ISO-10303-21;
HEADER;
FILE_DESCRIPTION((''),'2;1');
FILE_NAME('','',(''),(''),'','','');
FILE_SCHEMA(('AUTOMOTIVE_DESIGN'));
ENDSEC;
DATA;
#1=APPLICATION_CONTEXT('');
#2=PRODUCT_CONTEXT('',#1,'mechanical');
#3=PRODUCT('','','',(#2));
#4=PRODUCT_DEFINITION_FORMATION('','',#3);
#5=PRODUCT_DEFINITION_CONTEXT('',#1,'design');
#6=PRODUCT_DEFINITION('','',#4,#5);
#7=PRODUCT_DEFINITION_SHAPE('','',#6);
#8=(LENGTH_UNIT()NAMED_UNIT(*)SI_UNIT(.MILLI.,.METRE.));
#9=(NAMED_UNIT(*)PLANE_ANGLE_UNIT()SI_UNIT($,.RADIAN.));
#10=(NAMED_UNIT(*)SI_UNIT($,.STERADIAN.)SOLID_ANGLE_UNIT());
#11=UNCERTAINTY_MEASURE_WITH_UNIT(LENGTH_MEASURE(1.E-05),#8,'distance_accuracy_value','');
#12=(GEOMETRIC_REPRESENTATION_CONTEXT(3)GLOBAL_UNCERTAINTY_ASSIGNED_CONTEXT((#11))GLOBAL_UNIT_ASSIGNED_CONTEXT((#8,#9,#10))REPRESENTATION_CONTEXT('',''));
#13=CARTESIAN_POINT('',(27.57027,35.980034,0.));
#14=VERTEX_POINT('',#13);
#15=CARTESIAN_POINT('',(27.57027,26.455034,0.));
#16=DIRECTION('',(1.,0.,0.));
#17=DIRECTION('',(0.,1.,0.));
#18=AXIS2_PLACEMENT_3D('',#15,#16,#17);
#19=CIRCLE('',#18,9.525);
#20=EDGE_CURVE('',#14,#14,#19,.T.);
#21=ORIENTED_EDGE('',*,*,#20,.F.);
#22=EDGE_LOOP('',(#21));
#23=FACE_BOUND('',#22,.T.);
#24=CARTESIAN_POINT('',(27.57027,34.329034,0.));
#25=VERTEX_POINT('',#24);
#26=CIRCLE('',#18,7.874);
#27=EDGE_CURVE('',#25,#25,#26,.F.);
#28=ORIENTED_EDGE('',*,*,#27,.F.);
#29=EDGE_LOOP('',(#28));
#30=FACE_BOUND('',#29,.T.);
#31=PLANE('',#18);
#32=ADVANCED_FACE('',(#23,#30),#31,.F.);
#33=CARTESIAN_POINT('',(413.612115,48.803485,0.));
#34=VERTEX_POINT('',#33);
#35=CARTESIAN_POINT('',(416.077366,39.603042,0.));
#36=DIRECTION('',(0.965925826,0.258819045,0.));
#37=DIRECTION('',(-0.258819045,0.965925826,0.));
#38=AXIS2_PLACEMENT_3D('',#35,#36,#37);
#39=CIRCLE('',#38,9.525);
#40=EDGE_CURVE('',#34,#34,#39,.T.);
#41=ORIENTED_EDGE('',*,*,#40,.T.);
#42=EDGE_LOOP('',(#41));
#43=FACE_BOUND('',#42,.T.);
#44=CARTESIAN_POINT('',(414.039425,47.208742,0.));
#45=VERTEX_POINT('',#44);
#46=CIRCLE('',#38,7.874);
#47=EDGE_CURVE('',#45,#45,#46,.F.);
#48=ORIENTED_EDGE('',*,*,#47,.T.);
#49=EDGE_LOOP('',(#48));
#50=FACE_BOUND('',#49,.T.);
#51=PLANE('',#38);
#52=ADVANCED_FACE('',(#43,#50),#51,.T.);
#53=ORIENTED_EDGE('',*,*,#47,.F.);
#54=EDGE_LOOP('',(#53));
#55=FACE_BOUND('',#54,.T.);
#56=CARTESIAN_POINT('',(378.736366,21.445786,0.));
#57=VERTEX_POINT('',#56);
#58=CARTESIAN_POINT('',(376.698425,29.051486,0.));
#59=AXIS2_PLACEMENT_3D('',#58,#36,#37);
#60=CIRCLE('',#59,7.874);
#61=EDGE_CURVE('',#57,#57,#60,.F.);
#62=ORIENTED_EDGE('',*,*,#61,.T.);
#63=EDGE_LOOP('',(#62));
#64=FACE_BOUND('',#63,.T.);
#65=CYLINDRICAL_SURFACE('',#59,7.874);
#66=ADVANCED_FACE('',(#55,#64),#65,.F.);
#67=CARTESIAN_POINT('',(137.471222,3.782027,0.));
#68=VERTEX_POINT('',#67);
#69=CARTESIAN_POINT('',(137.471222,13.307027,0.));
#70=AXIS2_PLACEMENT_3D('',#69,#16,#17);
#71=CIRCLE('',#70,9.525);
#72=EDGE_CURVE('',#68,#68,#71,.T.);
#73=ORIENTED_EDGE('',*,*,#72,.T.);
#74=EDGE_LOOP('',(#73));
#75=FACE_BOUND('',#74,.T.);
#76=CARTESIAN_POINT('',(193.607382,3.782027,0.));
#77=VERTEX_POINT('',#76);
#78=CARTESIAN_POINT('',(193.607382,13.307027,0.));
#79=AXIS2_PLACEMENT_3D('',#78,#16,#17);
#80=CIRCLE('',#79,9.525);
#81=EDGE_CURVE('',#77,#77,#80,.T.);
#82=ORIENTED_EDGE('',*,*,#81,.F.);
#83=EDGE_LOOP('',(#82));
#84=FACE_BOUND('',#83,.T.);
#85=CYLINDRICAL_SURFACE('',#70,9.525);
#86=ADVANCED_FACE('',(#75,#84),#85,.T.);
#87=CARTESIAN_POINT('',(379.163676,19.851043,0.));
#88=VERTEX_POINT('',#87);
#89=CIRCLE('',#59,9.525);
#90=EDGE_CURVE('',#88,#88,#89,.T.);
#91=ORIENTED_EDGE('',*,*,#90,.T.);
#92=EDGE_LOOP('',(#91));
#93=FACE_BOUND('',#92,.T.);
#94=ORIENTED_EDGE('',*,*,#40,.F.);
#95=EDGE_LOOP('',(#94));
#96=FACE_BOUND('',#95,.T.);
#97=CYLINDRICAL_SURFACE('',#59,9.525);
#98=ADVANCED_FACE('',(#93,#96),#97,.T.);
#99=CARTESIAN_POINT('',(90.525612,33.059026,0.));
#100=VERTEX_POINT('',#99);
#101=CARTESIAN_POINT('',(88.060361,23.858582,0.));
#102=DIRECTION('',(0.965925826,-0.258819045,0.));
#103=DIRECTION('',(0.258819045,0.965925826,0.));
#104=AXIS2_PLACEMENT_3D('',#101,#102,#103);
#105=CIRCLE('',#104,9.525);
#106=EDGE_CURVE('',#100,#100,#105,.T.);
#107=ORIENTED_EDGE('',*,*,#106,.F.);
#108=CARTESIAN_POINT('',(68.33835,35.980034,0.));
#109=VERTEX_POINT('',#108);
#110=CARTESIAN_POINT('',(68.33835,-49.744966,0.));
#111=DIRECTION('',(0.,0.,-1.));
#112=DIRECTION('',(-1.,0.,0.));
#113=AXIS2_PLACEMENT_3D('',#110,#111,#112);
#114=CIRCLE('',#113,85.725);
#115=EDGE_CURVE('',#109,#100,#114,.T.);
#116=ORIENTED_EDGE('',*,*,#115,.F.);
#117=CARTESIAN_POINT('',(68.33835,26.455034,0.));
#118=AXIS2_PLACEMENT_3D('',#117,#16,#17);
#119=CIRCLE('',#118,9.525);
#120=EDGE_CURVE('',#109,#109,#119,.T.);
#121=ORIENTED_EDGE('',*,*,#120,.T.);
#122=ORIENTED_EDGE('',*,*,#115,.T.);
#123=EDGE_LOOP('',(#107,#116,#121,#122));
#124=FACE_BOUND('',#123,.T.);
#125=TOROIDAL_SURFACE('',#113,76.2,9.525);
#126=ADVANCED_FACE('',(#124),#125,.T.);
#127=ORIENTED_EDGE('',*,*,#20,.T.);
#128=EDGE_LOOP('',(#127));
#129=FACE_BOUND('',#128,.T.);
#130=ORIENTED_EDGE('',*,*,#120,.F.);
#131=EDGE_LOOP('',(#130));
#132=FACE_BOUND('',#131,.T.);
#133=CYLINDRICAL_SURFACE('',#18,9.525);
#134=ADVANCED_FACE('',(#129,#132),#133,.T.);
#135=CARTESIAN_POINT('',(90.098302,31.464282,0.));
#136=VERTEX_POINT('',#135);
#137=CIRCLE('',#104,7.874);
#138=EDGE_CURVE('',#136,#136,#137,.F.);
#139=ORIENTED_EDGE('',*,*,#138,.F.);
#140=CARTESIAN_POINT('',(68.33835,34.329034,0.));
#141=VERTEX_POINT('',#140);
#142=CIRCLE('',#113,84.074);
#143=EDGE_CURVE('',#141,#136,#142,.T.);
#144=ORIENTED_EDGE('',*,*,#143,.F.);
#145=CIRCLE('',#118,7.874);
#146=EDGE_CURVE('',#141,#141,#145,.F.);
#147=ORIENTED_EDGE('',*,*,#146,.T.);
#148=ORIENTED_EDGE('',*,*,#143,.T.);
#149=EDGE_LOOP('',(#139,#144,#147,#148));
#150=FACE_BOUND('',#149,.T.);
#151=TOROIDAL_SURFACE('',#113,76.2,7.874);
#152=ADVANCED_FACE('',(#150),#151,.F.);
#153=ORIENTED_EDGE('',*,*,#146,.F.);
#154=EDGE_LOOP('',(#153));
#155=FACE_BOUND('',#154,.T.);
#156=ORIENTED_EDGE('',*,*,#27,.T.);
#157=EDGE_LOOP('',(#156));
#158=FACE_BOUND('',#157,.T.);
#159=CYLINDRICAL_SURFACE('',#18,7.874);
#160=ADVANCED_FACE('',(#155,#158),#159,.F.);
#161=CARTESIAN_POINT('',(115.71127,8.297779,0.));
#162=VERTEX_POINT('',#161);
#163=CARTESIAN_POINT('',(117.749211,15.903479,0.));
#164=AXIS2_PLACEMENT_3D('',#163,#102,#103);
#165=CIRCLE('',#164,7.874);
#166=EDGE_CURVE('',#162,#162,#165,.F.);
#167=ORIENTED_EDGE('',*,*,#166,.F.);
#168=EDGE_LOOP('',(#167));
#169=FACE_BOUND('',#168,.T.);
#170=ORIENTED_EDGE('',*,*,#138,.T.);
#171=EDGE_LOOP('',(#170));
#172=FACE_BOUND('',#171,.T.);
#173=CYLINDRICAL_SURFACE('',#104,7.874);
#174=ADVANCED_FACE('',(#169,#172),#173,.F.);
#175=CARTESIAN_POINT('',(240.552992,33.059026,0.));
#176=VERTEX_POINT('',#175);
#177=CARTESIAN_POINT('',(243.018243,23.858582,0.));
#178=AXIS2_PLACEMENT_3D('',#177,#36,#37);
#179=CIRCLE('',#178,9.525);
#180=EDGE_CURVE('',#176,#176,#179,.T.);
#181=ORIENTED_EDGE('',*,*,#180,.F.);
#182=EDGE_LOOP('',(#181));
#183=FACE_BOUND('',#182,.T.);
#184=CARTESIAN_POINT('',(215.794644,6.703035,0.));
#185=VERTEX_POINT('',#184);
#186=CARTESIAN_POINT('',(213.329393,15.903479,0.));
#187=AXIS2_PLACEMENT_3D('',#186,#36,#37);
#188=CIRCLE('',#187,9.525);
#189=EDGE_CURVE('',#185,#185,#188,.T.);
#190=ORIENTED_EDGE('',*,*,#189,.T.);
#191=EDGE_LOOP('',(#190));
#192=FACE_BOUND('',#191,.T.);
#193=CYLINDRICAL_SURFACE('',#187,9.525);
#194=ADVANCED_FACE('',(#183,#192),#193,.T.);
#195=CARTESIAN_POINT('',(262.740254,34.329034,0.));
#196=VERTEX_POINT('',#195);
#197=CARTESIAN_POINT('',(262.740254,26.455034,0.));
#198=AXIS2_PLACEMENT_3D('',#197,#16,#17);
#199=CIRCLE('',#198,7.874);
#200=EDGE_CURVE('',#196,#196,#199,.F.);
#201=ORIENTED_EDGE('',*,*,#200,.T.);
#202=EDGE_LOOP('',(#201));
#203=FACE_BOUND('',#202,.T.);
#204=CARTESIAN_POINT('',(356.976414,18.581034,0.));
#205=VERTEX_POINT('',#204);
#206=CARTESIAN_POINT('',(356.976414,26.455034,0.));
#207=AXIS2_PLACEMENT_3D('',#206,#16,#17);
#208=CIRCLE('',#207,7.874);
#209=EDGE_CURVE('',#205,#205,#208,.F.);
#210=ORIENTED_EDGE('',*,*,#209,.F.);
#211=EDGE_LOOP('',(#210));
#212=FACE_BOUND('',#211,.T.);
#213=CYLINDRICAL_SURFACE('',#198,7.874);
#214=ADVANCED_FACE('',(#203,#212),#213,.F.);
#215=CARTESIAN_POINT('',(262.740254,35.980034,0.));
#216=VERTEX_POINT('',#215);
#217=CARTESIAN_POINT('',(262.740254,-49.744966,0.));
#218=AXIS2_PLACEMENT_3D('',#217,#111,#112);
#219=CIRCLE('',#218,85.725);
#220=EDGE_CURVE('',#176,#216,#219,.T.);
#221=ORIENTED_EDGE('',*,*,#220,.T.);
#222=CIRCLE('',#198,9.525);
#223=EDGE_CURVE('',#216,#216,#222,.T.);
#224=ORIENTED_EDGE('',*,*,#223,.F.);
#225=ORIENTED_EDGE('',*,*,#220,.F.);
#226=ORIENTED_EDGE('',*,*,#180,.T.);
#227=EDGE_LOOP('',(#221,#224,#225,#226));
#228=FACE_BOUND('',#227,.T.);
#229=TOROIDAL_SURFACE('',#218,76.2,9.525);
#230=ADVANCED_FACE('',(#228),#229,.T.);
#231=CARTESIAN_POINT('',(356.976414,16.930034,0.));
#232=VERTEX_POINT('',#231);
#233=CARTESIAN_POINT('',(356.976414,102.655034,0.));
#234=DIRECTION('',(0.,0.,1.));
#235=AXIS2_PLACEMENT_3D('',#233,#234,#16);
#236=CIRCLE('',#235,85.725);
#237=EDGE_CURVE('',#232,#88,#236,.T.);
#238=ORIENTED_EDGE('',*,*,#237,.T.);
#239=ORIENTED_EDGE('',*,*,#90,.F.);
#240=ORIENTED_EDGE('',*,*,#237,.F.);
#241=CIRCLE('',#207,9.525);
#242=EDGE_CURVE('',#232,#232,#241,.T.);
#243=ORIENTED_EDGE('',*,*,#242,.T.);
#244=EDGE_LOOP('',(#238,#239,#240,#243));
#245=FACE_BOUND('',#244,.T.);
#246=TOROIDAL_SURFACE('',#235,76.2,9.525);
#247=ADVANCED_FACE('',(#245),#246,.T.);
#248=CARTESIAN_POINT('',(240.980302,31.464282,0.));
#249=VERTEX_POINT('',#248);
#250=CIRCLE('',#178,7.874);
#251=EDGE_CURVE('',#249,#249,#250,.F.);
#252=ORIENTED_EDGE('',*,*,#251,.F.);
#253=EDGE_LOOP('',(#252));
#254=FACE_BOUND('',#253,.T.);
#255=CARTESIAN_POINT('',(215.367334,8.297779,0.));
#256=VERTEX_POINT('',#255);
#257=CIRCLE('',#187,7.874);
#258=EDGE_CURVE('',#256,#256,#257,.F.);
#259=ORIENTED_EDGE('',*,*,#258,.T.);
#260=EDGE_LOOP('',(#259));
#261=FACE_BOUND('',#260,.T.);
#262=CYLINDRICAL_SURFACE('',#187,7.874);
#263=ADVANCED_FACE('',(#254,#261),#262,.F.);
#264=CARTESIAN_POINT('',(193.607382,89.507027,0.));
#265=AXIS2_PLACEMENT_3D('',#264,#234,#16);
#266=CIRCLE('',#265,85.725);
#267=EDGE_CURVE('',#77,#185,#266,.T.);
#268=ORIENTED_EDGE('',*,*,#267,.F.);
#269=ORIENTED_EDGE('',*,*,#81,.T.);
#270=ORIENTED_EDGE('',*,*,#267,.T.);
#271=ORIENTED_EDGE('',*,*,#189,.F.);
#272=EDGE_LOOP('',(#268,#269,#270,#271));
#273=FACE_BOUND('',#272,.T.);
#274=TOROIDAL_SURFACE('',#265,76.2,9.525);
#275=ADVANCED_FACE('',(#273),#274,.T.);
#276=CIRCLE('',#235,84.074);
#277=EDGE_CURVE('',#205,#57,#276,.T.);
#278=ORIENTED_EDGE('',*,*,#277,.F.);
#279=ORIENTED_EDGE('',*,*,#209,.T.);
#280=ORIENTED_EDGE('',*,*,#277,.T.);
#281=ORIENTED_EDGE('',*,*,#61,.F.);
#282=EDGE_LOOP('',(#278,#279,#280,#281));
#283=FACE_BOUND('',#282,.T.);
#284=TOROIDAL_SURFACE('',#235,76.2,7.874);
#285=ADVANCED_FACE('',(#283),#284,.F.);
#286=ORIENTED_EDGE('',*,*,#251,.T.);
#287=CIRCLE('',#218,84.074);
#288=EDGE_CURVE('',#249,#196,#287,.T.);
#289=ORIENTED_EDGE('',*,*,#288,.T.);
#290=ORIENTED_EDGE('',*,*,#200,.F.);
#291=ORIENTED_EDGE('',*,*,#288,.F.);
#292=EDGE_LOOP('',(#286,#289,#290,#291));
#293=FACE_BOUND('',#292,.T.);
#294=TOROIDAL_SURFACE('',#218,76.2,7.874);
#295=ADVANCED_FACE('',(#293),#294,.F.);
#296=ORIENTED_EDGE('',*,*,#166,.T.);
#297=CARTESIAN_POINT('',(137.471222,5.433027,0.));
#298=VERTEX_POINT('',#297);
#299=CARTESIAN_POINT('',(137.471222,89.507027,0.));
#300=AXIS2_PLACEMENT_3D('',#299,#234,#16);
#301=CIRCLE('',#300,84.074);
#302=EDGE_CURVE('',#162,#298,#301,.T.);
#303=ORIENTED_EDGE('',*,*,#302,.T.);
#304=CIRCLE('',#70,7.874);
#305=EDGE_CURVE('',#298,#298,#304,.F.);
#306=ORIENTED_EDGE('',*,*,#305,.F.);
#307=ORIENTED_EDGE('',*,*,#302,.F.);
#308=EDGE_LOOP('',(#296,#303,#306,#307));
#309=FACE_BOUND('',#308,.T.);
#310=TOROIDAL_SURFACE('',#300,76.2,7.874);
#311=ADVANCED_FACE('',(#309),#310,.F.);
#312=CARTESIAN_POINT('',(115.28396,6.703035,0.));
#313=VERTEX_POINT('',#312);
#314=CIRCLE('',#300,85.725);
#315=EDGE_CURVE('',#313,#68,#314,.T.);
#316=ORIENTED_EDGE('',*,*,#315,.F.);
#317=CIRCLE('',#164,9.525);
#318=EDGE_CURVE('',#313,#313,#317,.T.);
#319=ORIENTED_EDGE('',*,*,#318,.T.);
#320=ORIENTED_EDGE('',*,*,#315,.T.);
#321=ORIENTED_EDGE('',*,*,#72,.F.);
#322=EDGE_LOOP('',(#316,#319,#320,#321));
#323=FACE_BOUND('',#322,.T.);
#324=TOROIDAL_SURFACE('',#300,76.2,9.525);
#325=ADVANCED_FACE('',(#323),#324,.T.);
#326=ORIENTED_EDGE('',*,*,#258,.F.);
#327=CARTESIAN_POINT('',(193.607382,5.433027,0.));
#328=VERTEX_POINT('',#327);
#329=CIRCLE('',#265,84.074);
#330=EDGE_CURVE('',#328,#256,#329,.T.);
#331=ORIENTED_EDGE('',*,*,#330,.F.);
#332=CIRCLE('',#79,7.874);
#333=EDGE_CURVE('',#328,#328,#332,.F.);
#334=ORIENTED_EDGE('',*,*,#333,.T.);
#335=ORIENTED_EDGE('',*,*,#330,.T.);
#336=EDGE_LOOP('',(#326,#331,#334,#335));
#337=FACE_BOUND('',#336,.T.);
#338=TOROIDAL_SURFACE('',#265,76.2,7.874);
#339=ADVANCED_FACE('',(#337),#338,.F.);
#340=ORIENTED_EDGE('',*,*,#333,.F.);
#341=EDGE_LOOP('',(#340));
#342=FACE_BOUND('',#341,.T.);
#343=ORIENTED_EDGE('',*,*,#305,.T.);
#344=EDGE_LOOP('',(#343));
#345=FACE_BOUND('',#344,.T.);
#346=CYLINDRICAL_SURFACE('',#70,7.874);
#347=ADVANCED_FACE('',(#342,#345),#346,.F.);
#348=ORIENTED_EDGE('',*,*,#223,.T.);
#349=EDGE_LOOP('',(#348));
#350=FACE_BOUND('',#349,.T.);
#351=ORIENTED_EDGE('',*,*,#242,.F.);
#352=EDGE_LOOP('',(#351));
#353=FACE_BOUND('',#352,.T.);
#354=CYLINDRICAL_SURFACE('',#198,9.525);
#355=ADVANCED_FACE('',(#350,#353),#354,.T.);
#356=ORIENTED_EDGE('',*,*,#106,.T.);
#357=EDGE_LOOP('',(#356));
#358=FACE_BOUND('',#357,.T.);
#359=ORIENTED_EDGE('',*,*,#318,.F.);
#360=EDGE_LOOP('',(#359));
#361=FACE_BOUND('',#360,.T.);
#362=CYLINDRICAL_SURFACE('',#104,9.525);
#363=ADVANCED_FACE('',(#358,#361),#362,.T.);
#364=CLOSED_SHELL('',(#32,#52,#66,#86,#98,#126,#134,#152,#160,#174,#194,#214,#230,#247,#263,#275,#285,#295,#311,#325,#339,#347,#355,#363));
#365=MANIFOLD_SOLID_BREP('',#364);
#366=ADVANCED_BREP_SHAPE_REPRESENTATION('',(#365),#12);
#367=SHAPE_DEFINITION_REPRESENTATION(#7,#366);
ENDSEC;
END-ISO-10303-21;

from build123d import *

# Parameters (mm, degrees)
SKETCH2_R   = 9.525
SKETCH2_R_2 = 7.874


with BuildPart() as part:
    # Sweep1: sweep along a path in Sketch1
    with BuildLine(Plane.XY) as sweep1_path:
        Line((27.57027, 26.455034237), (68.338349684, 26.455034237))
        ThreePointArc((68.338349684, 26.455034237), (78.284445531, 25.803132673), (88.060360921, 23.8585822))
        Line((88.060360921, 23.8585822), (117.749211055, 15.903478782))
        ThreePointArc((117.749211055, 15.903478782), (127.525126444, 13.958928309), (137.471222292, 13.307026745))
        Line((137.471222292, 13.307026745), (193.607381659, 13.307026745))
        ThreePointArc((193.607381659, 13.307026745), (203.553477506, 13.958928309), (213.329392896, 15.903478782))
        Line((213.329392896, 15.903478782), (243.01824303, 23.8585822))
        ThreePointArc((243.01824303, 23.8585822), (252.79415842, 25.803132673), (262.740254267, 26.455034237))
        Line((262.740254267, 26.455034237), (356.976413635, 26.455034237))
        ThreePointArc((356.976413635, 26.455034237), (366.922509482, 27.1069358), (376.698424872, 29.051486273))
        Line((376.698424872, 29.051486273), (416.077365926, 39.603041728))
    # Sketch2 → Sweep1 (sweep)
    with BuildSketch(Plane(origin=(27.57027, 26.455034237, 0), x_dir=(0, 0, -1), z_dir=(1, 0, 0))):
        Circle(SKETCH2_R)
        Circle(SKETCH2_R_2, mode=Mode.SUBTRACT)
    sweep(path=sweep1_path.line)


solid = part.part
